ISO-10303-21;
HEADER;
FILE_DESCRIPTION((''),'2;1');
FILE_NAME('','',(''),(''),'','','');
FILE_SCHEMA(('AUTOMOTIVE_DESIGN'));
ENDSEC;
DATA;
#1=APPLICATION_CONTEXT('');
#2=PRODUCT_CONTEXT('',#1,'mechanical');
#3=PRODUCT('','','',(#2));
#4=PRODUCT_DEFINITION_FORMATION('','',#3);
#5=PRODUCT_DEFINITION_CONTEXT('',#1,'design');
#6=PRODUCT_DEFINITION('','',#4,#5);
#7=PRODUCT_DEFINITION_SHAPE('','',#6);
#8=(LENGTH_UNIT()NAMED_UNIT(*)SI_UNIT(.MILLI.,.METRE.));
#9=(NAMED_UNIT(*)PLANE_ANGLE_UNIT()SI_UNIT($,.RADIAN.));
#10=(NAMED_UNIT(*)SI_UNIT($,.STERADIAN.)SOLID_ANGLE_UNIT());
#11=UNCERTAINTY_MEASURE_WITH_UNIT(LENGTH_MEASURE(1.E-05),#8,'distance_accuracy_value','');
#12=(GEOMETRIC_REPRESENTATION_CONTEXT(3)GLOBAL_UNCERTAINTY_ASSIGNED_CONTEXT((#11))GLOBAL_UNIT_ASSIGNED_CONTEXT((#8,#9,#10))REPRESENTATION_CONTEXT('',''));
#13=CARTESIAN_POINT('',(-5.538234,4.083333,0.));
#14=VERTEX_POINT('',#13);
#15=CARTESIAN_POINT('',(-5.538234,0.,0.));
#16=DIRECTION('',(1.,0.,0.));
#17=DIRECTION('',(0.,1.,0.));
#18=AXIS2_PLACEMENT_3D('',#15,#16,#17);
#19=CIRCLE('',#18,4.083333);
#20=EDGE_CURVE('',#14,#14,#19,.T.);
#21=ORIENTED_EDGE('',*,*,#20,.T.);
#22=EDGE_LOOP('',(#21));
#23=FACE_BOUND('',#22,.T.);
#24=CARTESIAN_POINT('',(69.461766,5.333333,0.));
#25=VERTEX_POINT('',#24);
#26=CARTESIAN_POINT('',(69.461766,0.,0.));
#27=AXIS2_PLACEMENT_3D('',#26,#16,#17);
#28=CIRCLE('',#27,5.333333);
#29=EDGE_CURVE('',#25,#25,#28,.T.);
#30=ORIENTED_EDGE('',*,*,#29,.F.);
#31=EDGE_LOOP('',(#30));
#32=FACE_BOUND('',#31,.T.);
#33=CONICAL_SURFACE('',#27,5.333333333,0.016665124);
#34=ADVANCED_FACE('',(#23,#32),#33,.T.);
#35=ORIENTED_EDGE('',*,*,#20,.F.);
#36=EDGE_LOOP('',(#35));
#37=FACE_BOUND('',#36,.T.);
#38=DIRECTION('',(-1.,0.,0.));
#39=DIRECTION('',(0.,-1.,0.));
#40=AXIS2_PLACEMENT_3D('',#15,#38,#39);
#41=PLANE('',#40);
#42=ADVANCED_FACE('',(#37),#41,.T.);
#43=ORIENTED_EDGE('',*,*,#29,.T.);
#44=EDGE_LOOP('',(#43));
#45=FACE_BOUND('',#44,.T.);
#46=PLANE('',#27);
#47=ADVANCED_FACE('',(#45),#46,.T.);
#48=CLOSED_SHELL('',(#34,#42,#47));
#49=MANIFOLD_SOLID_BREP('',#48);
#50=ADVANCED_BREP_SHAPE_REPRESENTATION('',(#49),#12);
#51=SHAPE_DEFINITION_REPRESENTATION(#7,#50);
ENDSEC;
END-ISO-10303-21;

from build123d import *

# Parameters (mm, degrees)
SKIZZE4_R                       = 4.17503968
SCHNITT_LINEAR_AUSTRAGEN1_DEPTH = 5
SKIZZE7_R                       = 4.374978423
SCHNITT_LINEAR_AUSTRAGEN3_DEPTH = 5
SKIZZE8_R                       = 3.54345764
SCHNITT_LINEAR_AUSTRAGEN4_DEPTH = 5


with BuildPart() as part:
    # Skizze1 → Rotation1 (revolve)
    with BuildSketch(Plane.XY):
        Polygon((-10.538234355, 0), (-10.538234355, 2.5), (79.461765645, 4), (79.461765645, 0), align=None)
    revolve(axis=Axis((79.461765645, 0, 0), (-1, 0, 0)))

    # Skizze4 → Schnitt-Linear austragen1 (cut)
    with BuildSketch(Plane(origin=(79.461765645, 0, 0), x_dir=(0, 0, -1), z_dir=(1, 0, 0))):
        Circle(SKIZZE4_R)
    extrude(amount=-SCHNITT_LINEAR_AUSTRAGEN1_DEPTH, mode=Mode.SUBTRACT)

    # Skizze7 → Schnitt-Linear austragen3 (cut)
    with BuildSketch(Plane(origin=(74.461765645, 0, 0), x_dir=(0, 0, -1), z_dir=(1, 0, 0))):
        Circle(SKIZZE7_R)
    extrude(amount=-SCHNITT_LINEAR_AUSTRAGEN3_DEPTH, mode=Mode.SUBTRACT)

    # Skizze8 → Schnitt-Linear austragen4 (cut)
    with BuildSketch(Plane.ZY.offset(10.538234355)):
        Circle(SKIZZE8_R)
    extrude(amount=-SCHNITT_LINEAR_AUSTRAGEN4_DEPTH, mode=Mode.SUBTRACT)

    # Skizze9 → Rotation2 (revolve)
    with BuildSketch(Plane.XY):
        Polygon((69.461765645, 3.833333333), (69.461765645, 5.333333333), (-5.538234355, 4.083333333), (-5.538234355, 2.583333333), align=None)
    revolve(axis=Axis((69.461765645, 0, 0), (-1, 0, 0)))


solid = part.part
